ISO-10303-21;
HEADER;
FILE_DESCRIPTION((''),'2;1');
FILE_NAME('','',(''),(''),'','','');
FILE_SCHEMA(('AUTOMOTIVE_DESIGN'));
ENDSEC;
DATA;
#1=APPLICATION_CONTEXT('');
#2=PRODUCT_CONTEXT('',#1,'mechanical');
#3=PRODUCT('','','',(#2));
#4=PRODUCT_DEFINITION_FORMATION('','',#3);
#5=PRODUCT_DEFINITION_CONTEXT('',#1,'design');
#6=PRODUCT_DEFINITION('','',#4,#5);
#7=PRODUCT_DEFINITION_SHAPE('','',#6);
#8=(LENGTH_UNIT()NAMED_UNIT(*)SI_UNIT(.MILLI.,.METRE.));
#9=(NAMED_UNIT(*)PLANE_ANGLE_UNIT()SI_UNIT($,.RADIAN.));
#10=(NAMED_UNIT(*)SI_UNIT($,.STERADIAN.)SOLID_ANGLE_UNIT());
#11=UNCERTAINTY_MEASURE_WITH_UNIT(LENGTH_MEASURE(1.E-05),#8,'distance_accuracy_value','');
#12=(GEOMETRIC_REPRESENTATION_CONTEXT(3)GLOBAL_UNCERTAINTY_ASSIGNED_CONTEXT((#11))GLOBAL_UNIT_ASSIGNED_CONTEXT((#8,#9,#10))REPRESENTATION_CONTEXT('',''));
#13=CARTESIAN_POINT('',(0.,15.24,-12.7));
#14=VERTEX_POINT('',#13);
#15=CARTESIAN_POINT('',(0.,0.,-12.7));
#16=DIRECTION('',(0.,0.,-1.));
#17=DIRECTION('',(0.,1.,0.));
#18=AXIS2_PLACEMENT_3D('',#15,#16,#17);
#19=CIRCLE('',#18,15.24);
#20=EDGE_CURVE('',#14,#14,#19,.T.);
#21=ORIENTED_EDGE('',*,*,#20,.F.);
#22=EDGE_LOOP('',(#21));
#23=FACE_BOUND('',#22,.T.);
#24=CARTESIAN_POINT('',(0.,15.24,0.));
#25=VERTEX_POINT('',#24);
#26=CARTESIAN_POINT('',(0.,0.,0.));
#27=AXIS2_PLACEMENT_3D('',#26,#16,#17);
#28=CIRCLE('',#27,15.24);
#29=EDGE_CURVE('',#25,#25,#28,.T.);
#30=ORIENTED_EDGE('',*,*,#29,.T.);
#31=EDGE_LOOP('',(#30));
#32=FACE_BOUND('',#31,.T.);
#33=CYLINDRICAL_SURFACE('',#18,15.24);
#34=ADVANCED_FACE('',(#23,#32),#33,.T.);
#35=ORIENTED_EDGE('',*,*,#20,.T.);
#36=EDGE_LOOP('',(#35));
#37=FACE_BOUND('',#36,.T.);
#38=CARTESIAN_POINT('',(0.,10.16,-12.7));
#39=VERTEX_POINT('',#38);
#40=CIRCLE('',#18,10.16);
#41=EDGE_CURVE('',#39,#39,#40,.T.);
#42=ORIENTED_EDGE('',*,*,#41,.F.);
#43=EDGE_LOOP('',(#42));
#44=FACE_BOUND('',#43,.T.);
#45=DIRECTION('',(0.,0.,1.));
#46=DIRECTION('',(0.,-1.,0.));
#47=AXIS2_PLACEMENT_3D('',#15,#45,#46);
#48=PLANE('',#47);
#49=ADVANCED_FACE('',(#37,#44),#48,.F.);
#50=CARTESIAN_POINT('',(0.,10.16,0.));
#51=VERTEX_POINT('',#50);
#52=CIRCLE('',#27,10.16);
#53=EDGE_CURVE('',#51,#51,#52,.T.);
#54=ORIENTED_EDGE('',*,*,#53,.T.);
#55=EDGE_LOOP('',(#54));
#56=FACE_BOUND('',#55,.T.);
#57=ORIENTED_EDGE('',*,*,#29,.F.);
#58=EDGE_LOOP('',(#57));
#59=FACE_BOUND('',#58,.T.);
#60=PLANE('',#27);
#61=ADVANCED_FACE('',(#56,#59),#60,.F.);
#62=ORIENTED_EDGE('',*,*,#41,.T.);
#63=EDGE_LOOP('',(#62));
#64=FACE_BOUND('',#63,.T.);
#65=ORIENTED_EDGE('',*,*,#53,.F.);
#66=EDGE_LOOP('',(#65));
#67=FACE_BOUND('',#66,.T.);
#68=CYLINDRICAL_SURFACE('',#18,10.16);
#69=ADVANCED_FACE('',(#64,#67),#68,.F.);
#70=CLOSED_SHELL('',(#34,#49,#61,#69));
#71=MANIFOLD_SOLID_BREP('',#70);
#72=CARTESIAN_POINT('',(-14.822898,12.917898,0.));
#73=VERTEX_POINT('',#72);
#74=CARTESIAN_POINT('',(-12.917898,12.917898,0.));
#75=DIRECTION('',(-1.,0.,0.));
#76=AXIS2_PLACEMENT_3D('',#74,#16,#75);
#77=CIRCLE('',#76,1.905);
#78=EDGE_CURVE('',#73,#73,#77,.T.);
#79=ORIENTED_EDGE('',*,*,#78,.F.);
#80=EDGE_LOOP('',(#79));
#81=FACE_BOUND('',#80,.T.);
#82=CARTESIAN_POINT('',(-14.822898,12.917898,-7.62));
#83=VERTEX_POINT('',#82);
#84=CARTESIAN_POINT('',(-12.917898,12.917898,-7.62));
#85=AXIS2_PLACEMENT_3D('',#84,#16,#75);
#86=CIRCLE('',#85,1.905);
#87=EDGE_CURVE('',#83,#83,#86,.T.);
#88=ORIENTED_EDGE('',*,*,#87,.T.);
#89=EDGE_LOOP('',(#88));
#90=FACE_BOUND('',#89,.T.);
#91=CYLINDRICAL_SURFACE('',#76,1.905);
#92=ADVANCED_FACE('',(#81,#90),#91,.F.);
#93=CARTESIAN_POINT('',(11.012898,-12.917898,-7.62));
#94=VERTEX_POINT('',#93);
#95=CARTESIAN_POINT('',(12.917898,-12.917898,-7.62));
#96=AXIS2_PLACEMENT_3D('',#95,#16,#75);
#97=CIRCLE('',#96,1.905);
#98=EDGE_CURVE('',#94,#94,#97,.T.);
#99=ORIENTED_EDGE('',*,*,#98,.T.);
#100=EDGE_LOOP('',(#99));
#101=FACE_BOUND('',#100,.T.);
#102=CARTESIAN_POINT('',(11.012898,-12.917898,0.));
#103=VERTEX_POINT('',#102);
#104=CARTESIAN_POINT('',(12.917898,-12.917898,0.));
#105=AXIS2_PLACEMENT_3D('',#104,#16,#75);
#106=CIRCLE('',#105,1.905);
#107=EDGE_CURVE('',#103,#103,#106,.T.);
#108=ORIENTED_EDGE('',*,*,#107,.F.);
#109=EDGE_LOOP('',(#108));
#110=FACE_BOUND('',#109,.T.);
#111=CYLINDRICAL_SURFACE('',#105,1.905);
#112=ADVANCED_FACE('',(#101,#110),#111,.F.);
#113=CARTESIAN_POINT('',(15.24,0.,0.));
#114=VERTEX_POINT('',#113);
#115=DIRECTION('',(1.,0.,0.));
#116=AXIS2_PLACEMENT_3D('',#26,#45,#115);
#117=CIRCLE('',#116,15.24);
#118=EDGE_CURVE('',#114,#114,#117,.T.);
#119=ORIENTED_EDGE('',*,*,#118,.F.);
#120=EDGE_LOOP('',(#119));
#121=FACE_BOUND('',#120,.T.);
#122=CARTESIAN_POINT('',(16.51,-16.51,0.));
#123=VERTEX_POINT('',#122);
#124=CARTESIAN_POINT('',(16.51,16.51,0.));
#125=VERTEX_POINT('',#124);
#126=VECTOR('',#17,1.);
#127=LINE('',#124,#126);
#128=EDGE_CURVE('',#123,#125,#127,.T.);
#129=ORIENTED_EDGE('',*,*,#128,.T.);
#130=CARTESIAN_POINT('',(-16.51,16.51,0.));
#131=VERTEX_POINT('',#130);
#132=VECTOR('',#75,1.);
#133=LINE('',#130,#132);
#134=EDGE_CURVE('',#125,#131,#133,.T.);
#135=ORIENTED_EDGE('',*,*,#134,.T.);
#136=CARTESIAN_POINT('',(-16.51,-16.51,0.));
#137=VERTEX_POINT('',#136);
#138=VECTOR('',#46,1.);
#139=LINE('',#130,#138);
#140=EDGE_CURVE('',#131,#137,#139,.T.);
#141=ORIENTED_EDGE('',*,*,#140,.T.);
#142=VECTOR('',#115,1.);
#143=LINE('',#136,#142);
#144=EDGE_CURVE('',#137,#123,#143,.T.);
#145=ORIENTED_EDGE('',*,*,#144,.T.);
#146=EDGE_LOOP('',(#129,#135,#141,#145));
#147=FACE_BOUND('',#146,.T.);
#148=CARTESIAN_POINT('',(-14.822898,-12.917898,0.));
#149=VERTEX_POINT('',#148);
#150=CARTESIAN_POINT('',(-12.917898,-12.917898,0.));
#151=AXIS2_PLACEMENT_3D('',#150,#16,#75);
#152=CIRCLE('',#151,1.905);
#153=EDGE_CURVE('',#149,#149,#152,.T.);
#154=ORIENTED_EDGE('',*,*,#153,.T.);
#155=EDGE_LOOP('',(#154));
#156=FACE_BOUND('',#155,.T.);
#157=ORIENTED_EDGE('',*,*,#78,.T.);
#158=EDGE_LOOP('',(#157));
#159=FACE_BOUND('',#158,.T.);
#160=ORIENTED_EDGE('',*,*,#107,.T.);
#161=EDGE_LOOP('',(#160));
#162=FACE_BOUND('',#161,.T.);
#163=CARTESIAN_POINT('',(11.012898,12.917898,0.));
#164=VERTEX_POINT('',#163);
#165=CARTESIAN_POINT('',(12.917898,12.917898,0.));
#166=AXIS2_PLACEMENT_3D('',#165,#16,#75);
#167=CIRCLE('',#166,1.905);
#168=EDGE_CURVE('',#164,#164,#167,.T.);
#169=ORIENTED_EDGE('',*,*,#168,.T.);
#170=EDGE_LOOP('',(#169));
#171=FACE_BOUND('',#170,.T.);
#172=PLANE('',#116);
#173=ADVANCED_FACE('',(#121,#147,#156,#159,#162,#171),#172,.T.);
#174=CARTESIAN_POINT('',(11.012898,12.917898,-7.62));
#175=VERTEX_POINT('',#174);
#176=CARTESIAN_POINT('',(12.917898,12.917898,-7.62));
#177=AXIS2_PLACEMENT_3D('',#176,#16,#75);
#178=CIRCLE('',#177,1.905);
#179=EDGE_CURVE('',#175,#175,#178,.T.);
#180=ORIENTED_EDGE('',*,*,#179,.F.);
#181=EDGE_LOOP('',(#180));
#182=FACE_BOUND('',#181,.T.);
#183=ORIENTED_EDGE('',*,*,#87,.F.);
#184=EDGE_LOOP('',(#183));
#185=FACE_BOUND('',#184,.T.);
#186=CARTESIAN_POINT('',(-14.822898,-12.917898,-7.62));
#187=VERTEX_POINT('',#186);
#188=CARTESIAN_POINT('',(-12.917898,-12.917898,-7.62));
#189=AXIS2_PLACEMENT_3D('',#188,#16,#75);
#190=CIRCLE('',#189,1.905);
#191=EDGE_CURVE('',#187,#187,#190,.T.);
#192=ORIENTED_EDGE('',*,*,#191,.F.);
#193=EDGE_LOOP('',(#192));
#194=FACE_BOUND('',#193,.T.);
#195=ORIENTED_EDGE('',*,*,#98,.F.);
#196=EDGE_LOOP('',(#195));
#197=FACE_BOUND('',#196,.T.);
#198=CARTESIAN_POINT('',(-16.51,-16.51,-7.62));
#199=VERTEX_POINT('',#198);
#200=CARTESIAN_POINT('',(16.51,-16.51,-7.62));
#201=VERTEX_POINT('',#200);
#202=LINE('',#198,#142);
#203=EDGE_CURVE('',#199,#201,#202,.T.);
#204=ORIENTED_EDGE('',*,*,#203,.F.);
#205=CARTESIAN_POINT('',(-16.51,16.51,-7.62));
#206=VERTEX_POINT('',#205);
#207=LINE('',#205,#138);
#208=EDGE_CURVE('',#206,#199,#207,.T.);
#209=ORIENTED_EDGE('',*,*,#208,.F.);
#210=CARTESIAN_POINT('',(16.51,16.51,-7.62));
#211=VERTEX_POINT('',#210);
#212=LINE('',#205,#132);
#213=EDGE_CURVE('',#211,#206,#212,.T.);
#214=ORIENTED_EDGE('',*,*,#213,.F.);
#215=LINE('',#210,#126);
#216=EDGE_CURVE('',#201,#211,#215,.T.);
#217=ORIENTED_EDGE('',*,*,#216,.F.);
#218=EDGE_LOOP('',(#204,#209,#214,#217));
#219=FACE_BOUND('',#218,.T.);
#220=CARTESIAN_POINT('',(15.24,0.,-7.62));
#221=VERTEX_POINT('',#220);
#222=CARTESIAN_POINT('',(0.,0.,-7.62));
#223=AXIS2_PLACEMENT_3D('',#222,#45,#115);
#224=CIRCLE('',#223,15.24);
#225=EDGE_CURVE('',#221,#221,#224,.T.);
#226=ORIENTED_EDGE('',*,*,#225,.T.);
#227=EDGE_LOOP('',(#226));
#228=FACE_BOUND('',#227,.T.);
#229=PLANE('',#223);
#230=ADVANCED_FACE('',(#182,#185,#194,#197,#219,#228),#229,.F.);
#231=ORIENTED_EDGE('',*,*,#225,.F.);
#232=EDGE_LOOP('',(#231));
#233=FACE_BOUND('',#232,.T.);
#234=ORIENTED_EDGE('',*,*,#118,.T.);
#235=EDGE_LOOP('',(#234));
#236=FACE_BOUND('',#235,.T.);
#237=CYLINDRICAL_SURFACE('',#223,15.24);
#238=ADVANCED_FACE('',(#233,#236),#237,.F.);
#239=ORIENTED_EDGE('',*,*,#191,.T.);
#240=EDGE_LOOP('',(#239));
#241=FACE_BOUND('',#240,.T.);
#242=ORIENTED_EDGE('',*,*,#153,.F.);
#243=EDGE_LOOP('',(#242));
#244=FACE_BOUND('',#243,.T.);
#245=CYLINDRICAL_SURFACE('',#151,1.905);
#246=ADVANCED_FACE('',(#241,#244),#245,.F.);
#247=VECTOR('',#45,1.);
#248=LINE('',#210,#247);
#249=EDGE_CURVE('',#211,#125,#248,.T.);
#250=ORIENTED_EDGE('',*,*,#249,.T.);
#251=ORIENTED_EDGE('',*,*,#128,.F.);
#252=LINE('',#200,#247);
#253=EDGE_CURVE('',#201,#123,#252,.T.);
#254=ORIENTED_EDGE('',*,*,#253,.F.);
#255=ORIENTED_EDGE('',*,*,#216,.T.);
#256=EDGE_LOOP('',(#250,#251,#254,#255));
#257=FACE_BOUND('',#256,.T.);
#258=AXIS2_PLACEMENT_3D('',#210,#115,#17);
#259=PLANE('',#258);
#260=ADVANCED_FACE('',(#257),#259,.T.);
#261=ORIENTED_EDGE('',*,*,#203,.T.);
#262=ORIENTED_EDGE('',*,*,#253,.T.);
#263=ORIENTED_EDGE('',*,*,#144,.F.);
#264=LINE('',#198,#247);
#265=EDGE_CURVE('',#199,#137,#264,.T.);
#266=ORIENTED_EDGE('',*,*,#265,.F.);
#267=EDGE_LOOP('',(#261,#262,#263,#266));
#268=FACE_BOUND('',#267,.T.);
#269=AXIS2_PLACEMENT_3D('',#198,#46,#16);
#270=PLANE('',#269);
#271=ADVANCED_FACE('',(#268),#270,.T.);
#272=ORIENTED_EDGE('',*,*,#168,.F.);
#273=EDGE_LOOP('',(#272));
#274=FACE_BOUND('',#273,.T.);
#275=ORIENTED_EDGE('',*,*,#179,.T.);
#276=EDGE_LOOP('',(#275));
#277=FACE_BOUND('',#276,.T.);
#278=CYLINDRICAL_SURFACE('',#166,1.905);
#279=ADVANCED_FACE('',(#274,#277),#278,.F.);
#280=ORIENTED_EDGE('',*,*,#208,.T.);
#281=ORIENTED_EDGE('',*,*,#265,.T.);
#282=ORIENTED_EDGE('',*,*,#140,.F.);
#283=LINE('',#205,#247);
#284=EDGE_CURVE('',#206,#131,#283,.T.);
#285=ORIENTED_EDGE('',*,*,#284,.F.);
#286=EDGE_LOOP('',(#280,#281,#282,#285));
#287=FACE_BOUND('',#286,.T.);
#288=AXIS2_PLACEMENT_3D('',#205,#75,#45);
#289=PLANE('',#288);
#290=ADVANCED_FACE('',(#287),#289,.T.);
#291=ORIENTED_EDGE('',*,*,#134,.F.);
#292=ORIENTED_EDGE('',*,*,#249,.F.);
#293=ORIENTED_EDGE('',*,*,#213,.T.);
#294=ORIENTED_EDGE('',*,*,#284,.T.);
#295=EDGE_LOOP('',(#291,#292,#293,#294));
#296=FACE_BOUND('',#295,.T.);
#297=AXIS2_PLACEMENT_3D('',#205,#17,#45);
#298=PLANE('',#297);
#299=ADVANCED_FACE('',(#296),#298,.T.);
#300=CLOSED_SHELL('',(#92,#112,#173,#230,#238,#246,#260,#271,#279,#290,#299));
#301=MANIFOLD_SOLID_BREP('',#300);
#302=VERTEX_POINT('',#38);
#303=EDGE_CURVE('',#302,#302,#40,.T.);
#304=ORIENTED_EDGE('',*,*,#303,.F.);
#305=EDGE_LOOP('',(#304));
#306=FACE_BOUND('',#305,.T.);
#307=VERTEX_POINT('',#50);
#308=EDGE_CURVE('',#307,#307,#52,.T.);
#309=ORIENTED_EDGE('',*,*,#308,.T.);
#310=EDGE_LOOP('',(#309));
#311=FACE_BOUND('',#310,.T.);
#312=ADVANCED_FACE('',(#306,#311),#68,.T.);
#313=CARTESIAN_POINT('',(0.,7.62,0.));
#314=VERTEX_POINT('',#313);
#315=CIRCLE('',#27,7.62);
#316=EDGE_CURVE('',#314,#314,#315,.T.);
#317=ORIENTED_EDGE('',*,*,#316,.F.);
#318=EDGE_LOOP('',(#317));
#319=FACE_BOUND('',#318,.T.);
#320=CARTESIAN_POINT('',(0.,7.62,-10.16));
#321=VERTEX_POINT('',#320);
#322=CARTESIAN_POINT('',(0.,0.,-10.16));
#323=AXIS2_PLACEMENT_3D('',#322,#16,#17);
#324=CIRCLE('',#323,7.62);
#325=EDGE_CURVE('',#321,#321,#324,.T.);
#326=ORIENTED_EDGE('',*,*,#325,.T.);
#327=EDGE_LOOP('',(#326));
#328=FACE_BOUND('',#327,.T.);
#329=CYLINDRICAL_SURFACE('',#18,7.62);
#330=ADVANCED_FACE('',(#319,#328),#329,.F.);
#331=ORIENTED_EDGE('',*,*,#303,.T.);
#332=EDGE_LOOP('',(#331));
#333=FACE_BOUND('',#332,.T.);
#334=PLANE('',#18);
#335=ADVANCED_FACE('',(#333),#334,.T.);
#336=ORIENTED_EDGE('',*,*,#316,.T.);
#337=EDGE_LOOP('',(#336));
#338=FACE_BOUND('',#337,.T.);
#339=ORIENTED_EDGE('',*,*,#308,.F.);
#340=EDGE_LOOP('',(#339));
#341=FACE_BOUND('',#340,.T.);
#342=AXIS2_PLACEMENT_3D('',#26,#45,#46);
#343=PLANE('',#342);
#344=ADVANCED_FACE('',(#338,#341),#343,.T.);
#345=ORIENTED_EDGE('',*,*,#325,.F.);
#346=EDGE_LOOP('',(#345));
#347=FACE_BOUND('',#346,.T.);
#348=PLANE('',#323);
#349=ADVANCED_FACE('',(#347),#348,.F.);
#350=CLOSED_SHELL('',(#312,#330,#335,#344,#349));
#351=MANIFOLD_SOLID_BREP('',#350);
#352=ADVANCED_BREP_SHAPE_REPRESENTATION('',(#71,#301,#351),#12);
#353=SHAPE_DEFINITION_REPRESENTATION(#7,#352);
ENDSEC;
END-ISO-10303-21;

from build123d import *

# Parameters (mm, degrees)
SKETCH1_W           = 12.7
SKETCH1_H           = 5.08
SKETCH1_4_W         = 12.7
SKETCH1_4_H         = 2.54
SKETCH3_W           = 33.02
SKETCH3_H           = 33.02
SKETCH3_R           = 15.24
BOSS_EXTRUDE1_DEPTH = 7.62
SKETCH4_R           = 1.905
CUT_EXTRUDE2_DEPTH  = 8.62
BOSS_EXTRUDE3_START = -12.7
SKETCH5_R           = 10.16
BOSS_EXTRUDE3_DEPTH = 2.54


with BuildPart() as part:
    # Sketch1 → Revolve2 (revolve)
    with BuildSketch(Plane(origin=(0, 0, 0), x_dir=(0, 0, -1), z_dir=(1, 0, 0))):
        with Locations((6.35, 12.7)):
            Rectangle(SKETCH1_W, SKETCH1_H)
    revolve(axis=Axis((0, 0, -12.7), (0, 0, 1)))


with BuildPart() as body_2:
    # Sketch1<4> → Revolve3 (revolve)
    with BuildSketch(Plane(origin=(0, 0, 0), x_dir=(0, 0, -1), z_dir=(1, 0, 0))):
        with Locations((6.35, 8.89)):
            Rectangle(SKETCH1_4_W, SKETCH1_4_H)
    revolve(axis=Axis((0, 0, -12.7), (0, 0, 1)))


with BuildPart() as body_3:
    # Sketch3 → Boss-Extrude1 (new body)
    with BuildSketch(Plane.XY):
        Rectangle(SKETCH3_W, SKETCH3_H)
        Circle(SKETCH3_R, mode=Mode.SUBTRACT)
    extrude(amount=-BOSS_EXTRUDE1_DEPTH)

    # Sketch4 → Cut-Extrude2 (cut, through all)
    with BuildSketch(Plane(origin=(0, 0, -7.62), x_dir=(-1, 0, 0), z_dir=(0, 0, -1))):
        with Locations((-12.917897552, 12.917897552)):
            Circle(SKETCH4_R)
        with Locations((12.917897552, 12.917897552)):
            Circle(SKETCH4_R)
        with Locations((12.917897552, -12.917897552)):
            Circle(SKETCH4_R)
        with Locations((-12.917897552, -12.917897552)):
            Circle(SKETCH4_R)
    extrude(amount=-CUT_EXTRUDE2_DEPTH, mode=Mode.SUBTRACT)


with BuildPart() as body_4:
    # Sketch5 → Boss-Extrude3 (new body)
    with BuildSketch(Plane.XY.offset(BOSS_EXTRUDE3_START)):
        Circle(SKETCH5_R)
    extrude(amount=BOSS_EXTRUDE3_DEPTH)


with BuildPart() as body_2_1:
    add(body_2.part)

    # Combine1: union body 4
    add(body_4.part)


solid = Compound([part.part, body_3.part, body_2_1.part])
